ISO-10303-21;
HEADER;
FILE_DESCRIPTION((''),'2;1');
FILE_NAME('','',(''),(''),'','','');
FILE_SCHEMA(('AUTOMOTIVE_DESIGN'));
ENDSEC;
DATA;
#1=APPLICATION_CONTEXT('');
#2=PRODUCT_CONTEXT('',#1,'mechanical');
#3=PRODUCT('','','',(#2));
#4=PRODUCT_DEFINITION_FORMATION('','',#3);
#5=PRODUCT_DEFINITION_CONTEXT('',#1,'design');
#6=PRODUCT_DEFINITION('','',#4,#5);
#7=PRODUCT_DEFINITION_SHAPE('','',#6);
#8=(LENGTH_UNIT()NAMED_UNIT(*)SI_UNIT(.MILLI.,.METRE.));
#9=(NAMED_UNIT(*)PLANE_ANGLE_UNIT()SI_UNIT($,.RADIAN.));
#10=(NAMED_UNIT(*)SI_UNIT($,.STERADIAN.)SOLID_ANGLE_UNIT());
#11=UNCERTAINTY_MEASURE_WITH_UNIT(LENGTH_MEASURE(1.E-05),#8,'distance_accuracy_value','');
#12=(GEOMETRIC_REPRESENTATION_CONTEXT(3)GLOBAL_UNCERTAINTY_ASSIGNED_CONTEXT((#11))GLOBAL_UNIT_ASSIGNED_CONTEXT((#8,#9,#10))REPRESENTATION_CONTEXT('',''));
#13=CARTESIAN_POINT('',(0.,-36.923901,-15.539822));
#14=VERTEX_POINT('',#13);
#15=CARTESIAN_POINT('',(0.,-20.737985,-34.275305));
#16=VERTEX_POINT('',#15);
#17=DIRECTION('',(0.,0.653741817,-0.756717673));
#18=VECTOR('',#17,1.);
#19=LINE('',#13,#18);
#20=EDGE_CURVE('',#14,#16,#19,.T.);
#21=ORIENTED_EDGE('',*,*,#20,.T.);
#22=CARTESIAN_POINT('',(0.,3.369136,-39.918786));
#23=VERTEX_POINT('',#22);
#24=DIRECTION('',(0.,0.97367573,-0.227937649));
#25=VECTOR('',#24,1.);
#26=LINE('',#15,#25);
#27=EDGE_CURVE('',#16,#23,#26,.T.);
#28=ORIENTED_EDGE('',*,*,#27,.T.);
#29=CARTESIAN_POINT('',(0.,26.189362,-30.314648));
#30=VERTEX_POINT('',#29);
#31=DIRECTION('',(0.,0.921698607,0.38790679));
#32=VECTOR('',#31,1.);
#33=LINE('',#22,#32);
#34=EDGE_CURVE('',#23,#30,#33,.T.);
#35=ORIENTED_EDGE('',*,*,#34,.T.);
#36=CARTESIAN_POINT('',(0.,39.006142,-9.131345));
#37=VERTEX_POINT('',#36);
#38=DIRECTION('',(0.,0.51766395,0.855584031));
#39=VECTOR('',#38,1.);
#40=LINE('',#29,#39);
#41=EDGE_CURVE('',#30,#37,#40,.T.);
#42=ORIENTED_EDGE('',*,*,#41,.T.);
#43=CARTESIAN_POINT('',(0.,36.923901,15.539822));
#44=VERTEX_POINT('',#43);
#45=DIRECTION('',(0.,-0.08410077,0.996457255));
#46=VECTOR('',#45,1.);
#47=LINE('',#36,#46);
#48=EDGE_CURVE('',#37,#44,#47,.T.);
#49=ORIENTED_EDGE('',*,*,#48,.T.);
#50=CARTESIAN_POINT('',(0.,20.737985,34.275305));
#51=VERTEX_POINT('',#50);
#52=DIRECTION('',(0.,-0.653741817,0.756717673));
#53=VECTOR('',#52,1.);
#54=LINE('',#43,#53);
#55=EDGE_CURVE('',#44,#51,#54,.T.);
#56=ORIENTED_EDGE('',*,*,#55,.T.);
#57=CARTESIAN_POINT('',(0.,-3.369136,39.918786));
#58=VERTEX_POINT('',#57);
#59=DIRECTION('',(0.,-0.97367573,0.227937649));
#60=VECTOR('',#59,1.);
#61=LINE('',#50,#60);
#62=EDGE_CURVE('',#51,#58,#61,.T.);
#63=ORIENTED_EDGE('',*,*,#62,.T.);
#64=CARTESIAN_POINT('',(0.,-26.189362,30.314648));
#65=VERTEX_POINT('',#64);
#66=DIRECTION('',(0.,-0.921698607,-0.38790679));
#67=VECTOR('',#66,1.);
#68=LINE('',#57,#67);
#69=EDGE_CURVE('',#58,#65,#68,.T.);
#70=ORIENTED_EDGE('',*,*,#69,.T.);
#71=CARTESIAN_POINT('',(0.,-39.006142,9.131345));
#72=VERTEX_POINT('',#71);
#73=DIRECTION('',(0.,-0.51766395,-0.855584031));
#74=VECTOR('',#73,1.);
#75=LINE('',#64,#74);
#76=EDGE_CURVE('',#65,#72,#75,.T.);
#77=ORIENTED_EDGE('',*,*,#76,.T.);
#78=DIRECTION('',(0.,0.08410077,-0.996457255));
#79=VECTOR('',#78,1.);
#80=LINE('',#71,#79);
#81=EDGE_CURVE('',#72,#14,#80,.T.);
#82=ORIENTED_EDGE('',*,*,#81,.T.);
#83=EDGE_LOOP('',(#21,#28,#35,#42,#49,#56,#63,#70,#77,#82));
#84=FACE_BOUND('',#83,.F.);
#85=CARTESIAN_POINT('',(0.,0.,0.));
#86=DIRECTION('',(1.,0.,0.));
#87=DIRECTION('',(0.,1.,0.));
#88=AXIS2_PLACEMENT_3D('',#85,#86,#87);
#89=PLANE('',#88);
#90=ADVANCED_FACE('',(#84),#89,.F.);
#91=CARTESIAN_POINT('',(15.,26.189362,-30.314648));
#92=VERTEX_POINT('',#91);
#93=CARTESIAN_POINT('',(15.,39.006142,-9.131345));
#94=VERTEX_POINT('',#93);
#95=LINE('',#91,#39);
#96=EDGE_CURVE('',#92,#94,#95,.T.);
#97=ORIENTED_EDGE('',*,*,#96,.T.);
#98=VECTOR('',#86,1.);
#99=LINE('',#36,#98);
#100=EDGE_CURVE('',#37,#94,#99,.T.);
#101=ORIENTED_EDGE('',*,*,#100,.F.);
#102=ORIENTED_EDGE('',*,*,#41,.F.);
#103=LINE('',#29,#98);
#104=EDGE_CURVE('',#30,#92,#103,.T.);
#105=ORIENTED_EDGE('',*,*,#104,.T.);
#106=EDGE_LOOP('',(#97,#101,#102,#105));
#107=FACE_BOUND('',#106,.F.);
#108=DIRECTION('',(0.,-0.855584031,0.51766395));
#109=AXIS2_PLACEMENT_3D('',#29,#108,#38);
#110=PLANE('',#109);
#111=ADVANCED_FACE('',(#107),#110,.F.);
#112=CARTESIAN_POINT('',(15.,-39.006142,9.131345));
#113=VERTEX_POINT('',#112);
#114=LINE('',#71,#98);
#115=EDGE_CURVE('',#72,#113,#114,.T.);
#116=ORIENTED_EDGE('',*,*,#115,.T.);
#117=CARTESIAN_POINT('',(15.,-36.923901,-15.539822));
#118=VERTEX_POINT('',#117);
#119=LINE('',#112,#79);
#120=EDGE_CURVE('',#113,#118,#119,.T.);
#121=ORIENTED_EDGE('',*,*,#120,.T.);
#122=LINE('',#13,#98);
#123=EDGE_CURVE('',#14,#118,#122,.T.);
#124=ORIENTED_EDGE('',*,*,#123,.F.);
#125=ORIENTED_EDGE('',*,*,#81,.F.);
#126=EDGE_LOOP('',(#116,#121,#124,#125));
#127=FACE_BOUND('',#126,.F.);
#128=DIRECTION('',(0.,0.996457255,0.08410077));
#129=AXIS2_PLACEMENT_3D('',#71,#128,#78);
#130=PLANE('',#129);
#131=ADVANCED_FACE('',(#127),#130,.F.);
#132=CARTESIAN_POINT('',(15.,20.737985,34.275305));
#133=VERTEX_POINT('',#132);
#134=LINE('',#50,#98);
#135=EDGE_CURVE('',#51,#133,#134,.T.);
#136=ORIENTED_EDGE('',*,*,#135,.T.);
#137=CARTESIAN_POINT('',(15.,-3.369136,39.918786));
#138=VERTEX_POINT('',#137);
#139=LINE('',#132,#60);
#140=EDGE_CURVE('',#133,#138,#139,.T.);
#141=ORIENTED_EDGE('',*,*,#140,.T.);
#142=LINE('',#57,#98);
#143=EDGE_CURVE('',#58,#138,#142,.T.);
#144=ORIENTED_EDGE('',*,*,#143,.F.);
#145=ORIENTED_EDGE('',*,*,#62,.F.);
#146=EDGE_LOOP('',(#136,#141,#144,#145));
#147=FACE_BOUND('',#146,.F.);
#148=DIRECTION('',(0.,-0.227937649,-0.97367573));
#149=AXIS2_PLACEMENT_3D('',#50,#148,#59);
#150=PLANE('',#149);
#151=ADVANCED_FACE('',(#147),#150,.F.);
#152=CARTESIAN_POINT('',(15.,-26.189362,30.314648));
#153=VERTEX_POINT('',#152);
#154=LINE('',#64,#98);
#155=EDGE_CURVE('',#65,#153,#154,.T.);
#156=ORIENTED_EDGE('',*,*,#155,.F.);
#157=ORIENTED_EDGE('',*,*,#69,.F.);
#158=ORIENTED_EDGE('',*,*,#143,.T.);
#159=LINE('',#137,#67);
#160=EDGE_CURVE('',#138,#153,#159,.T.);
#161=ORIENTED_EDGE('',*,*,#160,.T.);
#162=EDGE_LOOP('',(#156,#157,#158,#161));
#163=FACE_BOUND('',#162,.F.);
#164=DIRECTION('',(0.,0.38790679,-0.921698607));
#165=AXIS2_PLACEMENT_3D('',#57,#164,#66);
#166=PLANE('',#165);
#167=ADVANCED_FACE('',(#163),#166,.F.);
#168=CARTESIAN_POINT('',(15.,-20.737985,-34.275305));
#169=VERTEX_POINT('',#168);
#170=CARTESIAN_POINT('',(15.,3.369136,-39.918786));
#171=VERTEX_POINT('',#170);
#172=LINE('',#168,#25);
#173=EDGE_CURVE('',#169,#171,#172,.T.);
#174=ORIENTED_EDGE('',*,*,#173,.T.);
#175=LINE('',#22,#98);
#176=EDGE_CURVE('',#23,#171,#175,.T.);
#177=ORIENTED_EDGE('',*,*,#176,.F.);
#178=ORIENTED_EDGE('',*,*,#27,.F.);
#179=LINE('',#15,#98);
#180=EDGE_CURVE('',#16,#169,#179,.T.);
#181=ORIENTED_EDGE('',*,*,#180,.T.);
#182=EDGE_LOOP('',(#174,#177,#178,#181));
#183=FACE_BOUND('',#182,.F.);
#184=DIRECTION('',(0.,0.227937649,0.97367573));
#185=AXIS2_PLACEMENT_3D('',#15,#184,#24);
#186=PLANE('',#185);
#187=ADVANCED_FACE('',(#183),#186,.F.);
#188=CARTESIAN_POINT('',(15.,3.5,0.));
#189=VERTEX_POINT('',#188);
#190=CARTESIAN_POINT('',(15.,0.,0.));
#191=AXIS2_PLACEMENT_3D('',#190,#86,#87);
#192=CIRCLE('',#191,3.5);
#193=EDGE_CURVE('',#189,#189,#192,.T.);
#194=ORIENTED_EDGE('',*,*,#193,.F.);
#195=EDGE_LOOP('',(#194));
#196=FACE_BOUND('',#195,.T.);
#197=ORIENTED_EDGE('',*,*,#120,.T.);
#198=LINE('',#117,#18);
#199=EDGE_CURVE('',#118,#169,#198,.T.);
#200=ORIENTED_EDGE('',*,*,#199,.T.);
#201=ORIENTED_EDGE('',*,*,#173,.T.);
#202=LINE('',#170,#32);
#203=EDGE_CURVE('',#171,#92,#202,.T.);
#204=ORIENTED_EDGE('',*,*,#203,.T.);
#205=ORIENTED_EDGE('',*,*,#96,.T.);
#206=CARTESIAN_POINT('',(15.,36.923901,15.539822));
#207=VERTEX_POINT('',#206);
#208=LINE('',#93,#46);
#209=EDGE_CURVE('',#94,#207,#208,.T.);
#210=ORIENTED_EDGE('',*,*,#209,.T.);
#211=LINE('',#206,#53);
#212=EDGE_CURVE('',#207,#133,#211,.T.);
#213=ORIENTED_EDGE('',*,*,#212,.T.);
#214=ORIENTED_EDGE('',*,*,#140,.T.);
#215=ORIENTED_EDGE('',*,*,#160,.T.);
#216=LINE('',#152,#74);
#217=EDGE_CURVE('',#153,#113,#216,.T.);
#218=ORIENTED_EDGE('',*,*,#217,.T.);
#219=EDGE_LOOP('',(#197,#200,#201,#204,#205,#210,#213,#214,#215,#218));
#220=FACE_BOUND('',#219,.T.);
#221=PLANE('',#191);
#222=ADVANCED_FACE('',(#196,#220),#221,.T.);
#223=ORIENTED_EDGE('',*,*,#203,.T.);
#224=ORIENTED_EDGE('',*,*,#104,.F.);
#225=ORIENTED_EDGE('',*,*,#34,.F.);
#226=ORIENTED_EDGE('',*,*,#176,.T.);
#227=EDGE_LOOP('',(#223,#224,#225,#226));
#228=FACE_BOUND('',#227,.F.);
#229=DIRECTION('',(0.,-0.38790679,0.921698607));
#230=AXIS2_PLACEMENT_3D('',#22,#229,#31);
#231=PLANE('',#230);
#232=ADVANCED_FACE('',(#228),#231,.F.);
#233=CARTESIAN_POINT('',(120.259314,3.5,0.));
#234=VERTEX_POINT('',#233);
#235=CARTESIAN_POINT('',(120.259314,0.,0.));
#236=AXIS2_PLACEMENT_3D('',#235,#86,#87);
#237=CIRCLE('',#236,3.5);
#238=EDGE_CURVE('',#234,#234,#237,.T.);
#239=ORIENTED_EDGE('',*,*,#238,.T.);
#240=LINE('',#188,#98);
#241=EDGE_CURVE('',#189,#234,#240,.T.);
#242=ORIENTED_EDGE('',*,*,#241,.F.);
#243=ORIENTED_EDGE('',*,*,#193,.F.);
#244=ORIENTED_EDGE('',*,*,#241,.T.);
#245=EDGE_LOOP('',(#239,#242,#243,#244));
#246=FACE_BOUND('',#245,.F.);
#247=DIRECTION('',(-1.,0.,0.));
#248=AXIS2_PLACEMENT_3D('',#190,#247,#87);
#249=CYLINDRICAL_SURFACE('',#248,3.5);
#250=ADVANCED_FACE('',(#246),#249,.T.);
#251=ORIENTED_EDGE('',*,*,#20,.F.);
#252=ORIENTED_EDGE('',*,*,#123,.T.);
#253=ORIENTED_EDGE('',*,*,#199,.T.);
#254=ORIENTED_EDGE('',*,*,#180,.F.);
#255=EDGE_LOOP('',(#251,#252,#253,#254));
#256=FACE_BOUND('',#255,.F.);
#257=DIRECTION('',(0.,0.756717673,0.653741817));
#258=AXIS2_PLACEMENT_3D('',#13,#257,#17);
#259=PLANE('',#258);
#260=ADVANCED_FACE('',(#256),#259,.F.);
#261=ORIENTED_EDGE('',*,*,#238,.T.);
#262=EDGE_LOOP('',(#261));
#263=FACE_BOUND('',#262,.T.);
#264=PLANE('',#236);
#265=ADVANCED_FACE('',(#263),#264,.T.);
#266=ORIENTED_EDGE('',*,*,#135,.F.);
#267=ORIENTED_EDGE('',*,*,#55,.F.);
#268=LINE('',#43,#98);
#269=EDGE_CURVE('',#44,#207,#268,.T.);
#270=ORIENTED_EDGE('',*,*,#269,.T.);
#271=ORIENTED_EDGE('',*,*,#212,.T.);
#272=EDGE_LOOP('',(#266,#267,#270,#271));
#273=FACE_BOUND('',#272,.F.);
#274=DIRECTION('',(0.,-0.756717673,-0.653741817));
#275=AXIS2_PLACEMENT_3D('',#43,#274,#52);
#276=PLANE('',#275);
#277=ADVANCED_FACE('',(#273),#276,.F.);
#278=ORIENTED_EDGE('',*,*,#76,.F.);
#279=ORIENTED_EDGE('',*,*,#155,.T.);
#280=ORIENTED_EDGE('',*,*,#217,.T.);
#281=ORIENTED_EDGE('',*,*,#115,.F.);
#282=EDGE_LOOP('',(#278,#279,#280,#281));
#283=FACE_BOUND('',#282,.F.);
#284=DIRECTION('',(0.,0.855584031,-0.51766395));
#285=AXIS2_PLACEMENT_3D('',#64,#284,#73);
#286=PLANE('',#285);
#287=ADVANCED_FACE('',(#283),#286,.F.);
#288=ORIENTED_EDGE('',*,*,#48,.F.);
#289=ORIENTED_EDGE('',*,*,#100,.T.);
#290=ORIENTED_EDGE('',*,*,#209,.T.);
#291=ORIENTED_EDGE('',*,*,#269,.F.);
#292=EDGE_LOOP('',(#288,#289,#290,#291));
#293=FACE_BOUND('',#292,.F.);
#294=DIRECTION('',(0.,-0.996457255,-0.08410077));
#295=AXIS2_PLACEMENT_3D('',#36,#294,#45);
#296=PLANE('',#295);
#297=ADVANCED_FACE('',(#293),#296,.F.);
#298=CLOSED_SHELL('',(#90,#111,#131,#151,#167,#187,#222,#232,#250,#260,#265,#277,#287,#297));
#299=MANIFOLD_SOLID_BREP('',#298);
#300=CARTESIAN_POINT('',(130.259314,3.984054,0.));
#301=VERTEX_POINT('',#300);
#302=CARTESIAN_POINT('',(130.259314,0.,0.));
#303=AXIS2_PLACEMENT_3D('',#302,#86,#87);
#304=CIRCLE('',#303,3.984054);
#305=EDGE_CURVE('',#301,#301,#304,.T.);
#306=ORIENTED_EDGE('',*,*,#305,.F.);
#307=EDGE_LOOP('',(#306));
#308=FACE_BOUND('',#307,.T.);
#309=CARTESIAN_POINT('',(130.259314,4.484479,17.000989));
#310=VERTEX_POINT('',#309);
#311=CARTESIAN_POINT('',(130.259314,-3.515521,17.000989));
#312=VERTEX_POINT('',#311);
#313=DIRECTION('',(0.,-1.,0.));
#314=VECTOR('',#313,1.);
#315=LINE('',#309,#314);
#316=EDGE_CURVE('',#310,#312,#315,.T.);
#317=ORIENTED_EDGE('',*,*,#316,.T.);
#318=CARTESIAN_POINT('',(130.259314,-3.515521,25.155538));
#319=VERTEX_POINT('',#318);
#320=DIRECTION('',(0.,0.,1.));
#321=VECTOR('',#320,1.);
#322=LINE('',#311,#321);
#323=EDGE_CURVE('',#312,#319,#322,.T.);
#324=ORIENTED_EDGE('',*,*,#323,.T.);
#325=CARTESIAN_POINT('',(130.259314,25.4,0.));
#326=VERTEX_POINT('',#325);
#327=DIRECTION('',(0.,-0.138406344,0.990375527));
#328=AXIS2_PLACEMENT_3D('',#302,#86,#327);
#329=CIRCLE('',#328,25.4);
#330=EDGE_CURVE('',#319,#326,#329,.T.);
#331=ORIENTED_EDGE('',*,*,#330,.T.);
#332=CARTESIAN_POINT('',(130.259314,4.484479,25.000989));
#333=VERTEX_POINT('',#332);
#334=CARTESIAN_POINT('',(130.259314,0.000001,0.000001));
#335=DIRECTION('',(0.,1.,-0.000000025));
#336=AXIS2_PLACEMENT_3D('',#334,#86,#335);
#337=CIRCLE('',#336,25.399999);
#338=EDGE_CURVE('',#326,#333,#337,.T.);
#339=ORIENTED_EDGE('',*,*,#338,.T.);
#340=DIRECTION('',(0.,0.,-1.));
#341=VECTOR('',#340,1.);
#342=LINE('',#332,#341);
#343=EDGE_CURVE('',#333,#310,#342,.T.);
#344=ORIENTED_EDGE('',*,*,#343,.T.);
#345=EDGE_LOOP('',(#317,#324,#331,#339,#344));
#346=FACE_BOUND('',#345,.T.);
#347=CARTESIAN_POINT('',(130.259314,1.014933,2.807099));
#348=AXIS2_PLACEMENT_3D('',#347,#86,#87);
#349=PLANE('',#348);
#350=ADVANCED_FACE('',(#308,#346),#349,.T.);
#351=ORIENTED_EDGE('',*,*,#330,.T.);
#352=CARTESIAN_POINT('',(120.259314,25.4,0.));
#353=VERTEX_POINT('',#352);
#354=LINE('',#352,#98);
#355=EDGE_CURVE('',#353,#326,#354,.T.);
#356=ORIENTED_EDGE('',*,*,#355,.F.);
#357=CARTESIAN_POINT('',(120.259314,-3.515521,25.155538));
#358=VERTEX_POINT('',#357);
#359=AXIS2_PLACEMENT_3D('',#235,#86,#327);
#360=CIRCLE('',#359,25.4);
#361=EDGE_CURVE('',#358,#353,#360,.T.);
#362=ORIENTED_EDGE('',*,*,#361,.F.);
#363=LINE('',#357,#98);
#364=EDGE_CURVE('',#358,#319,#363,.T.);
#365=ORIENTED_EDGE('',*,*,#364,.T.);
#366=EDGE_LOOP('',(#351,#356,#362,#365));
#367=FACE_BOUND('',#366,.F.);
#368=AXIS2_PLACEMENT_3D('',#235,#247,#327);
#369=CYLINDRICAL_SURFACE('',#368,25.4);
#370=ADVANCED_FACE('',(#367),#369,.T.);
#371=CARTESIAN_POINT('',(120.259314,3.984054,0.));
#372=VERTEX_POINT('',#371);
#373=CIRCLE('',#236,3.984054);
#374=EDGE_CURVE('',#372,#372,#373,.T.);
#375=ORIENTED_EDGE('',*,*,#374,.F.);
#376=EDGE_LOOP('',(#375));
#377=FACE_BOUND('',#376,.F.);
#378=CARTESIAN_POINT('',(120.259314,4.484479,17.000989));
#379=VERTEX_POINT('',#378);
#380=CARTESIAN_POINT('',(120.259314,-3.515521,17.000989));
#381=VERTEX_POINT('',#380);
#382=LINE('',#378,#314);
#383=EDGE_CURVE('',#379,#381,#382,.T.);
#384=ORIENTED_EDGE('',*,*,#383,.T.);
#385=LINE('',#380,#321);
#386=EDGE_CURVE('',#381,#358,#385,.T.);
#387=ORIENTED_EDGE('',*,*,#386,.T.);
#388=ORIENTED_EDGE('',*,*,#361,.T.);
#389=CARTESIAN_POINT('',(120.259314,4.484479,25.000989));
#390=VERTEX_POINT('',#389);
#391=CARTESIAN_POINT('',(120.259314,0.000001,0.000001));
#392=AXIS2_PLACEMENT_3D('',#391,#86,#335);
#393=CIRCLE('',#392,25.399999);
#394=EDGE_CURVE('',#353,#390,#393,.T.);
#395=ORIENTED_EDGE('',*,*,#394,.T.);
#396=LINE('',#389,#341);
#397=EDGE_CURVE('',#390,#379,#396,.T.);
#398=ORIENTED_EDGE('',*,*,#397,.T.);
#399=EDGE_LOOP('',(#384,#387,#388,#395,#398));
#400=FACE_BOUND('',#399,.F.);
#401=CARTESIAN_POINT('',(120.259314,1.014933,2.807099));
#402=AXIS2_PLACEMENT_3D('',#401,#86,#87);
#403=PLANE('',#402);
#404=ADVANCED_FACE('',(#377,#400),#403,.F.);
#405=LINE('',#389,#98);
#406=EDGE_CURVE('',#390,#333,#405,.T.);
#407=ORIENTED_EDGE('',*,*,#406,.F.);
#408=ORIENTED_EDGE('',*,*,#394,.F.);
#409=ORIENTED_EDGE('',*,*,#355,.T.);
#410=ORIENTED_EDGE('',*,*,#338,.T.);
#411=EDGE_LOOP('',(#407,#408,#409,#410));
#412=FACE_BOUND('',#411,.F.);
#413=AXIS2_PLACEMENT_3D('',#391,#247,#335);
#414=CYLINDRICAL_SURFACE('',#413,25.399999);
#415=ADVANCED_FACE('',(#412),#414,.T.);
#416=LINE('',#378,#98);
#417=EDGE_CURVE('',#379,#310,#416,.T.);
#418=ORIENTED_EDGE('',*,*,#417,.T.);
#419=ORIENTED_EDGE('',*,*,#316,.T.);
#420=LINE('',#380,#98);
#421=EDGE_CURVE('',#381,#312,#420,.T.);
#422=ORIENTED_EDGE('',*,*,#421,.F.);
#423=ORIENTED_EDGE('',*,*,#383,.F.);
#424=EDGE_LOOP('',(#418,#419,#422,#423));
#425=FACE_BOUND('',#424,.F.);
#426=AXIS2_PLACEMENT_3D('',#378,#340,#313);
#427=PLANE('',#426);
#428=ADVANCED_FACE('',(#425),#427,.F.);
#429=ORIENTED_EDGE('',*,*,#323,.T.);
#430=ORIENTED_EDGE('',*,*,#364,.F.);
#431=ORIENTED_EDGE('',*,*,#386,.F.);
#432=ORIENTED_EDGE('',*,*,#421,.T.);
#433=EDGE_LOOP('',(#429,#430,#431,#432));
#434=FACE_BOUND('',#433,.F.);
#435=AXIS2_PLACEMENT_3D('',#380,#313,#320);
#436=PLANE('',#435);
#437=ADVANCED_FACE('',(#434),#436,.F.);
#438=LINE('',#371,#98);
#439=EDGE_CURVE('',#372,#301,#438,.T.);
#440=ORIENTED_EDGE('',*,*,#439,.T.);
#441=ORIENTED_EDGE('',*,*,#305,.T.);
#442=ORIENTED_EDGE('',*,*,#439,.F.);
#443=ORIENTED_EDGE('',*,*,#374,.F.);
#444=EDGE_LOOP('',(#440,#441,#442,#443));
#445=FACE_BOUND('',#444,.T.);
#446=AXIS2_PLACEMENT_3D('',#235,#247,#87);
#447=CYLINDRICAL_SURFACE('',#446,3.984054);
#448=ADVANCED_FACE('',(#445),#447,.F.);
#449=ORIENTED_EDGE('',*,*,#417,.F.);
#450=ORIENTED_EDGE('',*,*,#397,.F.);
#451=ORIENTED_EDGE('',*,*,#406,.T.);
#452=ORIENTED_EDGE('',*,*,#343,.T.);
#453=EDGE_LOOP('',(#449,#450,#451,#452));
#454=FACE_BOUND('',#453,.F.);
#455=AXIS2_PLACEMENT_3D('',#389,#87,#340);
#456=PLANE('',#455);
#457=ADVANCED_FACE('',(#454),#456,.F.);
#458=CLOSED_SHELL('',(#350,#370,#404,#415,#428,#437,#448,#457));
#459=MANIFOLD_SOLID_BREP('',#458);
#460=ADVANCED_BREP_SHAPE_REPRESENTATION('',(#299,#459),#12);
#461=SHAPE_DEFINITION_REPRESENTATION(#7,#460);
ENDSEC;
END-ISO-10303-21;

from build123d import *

# Parameters (mm, degrees)
F1_DEPTH = 15
F2_R     = 3.5
F3_DEPTH = 105.259314
F4_R     = 3.984054
F5_DEPTH = 10


with BuildPart() as f1:
    # F0 (on Right) → F1 (new body)
    with BuildSketch(Plane.YZ):
        Polygon((26.189362, -30.314648), (39.006142, -9.131345), (36.923901, 15.539822), (20.737985, 34.275305), (-3.369136, 39.918786), (-26.189362, 30.314648), (-39.006142, 9.131345), (-36.923901, -15.539822), (-20.737985, -34.275305), (3.369136, -39.918786), align=None)
    extrude(amount=F1_DEPTH)

    # F2 (on face) → F3 (join)
    with BuildSketch(Plane.YZ.offset(15)):
        Circle(F2_R)
    extrude(amount=F3_DEPTH)


with BuildPart() as f5:
    # F4 (on face) → F5 (new body)
    with BuildSketch(Plane.YZ.offset(120.259314)):
        with BuildLine():
            ThreePointArc((-3.515521, 25.155538), (-16.671319, -19.163171), (25.4, 0))
            ThreePointArc((25.4, 0), (19.481604, 16.298071), (4.484479, 25.000989))
            Line((4.484479, 25.000989), (4.484479, 17.000989))
            Line((4.484479, 17.000989), (-3.515521, 17.000989))
            Line((-3.515521, 17.000989), (-3.515521, 25.155538))
        make_face()
        Circle(F4_R, mode=Mode.SUBTRACT)
    extrude(amount=F5_DEPTH)


solid = Compound([f1.part, f5.part])
